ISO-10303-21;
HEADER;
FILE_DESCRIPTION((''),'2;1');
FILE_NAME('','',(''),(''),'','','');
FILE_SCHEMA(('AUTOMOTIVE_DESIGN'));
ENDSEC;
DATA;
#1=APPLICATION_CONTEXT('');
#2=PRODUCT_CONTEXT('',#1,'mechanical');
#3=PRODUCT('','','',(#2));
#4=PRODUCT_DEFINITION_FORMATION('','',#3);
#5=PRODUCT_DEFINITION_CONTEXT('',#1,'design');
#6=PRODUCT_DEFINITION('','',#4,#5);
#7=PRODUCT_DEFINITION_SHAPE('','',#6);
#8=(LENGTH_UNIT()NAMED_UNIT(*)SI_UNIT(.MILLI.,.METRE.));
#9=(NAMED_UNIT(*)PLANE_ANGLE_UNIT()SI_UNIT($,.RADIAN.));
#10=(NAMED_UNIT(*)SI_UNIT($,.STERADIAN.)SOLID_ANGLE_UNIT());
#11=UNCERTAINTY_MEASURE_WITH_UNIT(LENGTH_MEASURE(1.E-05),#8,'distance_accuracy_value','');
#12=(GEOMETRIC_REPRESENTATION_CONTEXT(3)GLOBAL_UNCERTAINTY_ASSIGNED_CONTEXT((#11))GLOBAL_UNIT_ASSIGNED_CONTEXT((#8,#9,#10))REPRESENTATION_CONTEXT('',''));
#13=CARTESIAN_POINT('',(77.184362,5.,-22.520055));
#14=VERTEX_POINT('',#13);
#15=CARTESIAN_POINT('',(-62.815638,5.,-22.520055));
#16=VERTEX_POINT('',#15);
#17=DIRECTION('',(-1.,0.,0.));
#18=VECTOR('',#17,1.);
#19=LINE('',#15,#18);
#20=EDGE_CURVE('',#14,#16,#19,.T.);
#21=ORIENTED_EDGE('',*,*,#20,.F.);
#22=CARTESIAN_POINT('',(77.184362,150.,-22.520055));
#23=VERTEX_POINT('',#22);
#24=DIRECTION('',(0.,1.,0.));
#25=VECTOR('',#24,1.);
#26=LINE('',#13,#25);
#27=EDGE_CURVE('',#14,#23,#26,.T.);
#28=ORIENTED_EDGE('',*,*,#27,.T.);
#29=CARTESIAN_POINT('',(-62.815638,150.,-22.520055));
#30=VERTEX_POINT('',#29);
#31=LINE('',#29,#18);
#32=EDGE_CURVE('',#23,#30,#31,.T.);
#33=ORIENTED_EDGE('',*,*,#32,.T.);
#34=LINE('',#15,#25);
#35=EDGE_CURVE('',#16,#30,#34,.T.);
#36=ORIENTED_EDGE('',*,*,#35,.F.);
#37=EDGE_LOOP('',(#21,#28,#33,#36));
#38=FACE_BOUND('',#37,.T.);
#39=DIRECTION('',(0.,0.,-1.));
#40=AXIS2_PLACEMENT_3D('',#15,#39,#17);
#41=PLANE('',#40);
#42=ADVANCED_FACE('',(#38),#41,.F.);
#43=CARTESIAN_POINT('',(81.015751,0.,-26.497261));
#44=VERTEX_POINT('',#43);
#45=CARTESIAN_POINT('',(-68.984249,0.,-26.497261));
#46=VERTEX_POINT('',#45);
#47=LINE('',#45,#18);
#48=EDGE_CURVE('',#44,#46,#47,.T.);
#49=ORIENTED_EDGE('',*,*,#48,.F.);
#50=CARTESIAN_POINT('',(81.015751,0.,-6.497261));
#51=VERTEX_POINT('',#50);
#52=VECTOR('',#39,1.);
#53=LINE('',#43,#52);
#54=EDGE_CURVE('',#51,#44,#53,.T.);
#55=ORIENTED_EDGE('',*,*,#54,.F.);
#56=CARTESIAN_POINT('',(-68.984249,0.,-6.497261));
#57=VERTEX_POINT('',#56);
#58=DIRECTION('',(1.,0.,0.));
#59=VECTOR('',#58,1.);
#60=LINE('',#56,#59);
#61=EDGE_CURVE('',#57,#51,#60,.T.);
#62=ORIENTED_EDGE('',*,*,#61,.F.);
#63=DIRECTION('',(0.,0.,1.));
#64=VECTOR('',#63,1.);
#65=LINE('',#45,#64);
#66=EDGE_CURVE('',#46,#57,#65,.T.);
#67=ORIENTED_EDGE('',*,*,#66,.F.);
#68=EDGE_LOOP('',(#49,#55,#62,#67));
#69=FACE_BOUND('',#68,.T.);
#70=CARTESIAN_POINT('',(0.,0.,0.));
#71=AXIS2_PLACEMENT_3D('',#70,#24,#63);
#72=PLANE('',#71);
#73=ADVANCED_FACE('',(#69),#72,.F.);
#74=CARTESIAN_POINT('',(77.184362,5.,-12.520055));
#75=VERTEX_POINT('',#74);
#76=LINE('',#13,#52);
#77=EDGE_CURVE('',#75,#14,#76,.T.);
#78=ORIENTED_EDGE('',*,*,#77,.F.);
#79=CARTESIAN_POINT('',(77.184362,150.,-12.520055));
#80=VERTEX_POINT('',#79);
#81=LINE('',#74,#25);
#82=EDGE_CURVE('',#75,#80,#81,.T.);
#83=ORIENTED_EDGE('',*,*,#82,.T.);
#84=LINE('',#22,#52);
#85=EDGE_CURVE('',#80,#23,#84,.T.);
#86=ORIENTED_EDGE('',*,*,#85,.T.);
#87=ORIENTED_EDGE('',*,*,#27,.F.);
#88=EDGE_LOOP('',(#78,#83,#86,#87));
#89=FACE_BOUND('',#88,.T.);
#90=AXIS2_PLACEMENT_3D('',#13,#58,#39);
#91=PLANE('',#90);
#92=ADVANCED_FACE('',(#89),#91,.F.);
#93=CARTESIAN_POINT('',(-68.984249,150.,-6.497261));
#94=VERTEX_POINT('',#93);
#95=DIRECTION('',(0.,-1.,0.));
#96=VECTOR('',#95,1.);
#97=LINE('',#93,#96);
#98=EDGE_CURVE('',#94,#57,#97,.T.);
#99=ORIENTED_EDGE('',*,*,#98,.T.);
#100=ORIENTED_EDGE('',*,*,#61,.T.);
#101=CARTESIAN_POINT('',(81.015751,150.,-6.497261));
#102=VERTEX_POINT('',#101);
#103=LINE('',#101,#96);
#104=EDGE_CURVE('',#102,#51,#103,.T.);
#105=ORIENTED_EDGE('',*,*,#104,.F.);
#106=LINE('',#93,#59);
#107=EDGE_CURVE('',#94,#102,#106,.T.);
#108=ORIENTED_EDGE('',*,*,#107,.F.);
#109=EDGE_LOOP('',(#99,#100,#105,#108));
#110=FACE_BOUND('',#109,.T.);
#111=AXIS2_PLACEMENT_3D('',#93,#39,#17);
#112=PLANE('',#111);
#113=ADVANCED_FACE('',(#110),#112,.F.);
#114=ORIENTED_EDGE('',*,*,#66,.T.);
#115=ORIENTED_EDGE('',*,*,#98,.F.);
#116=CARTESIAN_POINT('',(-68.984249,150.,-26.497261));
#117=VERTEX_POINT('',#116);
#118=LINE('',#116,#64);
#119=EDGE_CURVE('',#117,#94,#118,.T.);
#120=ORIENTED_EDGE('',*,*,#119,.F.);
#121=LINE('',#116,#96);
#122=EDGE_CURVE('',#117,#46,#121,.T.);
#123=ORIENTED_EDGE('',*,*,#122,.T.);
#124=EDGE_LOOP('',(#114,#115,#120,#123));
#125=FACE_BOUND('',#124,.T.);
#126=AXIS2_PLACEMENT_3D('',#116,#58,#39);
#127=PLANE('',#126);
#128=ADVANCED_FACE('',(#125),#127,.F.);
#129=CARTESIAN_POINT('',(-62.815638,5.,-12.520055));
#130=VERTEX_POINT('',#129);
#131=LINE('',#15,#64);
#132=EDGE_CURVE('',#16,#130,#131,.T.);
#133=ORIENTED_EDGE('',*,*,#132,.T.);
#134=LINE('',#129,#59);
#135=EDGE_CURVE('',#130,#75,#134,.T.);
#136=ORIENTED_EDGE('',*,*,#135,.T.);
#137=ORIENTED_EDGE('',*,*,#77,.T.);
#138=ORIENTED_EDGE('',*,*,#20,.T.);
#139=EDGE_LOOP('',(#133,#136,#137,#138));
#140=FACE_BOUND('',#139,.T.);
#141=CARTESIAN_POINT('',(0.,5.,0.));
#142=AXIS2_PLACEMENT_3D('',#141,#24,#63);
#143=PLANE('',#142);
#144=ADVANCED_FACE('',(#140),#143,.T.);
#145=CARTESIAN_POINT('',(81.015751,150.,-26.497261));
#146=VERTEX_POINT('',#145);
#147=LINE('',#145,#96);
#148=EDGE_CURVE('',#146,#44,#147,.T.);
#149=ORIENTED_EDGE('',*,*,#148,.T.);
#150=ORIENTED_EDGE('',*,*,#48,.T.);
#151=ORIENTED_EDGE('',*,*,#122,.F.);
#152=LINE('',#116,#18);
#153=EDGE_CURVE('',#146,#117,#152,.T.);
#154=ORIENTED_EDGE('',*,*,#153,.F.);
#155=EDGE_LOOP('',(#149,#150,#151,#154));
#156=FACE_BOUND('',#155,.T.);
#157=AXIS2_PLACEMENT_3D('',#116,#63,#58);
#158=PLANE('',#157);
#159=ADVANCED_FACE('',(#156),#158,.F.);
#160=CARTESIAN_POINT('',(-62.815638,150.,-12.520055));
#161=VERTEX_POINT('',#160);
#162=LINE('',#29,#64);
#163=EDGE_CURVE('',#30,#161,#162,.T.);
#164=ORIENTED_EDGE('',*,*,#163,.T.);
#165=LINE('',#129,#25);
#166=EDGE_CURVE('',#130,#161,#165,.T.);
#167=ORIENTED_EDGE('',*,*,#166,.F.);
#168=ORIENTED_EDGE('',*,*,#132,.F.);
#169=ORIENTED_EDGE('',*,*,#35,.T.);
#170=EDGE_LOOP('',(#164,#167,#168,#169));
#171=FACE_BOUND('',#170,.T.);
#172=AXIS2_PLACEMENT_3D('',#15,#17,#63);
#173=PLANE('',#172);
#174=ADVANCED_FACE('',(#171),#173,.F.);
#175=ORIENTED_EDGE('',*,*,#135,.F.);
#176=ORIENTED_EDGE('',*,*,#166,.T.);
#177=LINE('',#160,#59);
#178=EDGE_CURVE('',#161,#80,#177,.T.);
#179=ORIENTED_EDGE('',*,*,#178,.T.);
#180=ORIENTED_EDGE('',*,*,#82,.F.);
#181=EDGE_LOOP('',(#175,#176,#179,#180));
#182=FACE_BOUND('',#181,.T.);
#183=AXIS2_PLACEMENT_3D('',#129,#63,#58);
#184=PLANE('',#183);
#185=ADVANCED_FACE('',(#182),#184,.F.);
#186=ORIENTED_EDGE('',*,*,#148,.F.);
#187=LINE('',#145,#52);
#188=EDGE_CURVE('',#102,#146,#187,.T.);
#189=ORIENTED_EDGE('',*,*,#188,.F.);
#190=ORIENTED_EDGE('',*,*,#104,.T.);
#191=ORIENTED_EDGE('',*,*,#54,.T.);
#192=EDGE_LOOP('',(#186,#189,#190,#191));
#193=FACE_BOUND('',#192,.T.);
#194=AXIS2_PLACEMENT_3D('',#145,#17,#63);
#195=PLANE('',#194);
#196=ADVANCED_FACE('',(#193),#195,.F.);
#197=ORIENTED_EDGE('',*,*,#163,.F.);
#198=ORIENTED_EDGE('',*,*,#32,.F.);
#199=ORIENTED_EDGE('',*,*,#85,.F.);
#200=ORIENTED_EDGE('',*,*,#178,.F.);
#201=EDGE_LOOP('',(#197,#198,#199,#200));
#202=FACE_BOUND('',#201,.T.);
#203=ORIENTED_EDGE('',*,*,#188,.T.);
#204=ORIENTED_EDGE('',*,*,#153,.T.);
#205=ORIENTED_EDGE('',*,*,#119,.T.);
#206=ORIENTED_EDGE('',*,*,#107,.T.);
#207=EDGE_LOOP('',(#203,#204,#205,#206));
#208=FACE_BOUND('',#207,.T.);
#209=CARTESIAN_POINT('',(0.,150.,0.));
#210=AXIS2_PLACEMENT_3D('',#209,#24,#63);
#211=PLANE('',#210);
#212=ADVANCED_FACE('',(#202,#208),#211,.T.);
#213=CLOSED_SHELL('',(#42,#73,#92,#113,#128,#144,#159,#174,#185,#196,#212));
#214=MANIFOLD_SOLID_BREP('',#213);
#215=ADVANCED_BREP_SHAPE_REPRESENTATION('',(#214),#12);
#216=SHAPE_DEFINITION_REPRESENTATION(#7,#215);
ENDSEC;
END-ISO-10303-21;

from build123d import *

# Parameters (mm, degrees)
SKETCH_3_W          = 150
SKETCH_3_H          = 20
EXTRUDE_1_DEPTH     = 150
SKETCH_4_W          = 140
SKETCH_4_H          = 10
CUT_EXTRUDE_1_DEPTH = 145


with BuildPart() as part:
    # 草图3 → 凸台-拉伸1 (new body)
    with BuildSketch(Plane(origin=(0, 0, 0), x_dir=(1, 0, 0), z_dir=(0, 1, 0))):
        with Locations((6.015751228, 16.497261118)):
            Rectangle(SKETCH_3_W, SKETCH_3_H)
    extrude(amount=EXTRUDE_1_DEPTH)

    # 草图4 → 切除-拉伸1 (cut)
    with BuildSketch(Plane(origin=(0, 150, 0), x_dir=(1, 0, 0), z_dir=(0, 1, 0))):
        with Locations((7.184361791, 17.520055437)):
            Rectangle(SKETCH_4_W, SKETCH_4_H)
    extrude(amount=-CUT_EXTRUDE_1_DEPTH, mode=Mode.SUBTRACT)


solid = part.part
